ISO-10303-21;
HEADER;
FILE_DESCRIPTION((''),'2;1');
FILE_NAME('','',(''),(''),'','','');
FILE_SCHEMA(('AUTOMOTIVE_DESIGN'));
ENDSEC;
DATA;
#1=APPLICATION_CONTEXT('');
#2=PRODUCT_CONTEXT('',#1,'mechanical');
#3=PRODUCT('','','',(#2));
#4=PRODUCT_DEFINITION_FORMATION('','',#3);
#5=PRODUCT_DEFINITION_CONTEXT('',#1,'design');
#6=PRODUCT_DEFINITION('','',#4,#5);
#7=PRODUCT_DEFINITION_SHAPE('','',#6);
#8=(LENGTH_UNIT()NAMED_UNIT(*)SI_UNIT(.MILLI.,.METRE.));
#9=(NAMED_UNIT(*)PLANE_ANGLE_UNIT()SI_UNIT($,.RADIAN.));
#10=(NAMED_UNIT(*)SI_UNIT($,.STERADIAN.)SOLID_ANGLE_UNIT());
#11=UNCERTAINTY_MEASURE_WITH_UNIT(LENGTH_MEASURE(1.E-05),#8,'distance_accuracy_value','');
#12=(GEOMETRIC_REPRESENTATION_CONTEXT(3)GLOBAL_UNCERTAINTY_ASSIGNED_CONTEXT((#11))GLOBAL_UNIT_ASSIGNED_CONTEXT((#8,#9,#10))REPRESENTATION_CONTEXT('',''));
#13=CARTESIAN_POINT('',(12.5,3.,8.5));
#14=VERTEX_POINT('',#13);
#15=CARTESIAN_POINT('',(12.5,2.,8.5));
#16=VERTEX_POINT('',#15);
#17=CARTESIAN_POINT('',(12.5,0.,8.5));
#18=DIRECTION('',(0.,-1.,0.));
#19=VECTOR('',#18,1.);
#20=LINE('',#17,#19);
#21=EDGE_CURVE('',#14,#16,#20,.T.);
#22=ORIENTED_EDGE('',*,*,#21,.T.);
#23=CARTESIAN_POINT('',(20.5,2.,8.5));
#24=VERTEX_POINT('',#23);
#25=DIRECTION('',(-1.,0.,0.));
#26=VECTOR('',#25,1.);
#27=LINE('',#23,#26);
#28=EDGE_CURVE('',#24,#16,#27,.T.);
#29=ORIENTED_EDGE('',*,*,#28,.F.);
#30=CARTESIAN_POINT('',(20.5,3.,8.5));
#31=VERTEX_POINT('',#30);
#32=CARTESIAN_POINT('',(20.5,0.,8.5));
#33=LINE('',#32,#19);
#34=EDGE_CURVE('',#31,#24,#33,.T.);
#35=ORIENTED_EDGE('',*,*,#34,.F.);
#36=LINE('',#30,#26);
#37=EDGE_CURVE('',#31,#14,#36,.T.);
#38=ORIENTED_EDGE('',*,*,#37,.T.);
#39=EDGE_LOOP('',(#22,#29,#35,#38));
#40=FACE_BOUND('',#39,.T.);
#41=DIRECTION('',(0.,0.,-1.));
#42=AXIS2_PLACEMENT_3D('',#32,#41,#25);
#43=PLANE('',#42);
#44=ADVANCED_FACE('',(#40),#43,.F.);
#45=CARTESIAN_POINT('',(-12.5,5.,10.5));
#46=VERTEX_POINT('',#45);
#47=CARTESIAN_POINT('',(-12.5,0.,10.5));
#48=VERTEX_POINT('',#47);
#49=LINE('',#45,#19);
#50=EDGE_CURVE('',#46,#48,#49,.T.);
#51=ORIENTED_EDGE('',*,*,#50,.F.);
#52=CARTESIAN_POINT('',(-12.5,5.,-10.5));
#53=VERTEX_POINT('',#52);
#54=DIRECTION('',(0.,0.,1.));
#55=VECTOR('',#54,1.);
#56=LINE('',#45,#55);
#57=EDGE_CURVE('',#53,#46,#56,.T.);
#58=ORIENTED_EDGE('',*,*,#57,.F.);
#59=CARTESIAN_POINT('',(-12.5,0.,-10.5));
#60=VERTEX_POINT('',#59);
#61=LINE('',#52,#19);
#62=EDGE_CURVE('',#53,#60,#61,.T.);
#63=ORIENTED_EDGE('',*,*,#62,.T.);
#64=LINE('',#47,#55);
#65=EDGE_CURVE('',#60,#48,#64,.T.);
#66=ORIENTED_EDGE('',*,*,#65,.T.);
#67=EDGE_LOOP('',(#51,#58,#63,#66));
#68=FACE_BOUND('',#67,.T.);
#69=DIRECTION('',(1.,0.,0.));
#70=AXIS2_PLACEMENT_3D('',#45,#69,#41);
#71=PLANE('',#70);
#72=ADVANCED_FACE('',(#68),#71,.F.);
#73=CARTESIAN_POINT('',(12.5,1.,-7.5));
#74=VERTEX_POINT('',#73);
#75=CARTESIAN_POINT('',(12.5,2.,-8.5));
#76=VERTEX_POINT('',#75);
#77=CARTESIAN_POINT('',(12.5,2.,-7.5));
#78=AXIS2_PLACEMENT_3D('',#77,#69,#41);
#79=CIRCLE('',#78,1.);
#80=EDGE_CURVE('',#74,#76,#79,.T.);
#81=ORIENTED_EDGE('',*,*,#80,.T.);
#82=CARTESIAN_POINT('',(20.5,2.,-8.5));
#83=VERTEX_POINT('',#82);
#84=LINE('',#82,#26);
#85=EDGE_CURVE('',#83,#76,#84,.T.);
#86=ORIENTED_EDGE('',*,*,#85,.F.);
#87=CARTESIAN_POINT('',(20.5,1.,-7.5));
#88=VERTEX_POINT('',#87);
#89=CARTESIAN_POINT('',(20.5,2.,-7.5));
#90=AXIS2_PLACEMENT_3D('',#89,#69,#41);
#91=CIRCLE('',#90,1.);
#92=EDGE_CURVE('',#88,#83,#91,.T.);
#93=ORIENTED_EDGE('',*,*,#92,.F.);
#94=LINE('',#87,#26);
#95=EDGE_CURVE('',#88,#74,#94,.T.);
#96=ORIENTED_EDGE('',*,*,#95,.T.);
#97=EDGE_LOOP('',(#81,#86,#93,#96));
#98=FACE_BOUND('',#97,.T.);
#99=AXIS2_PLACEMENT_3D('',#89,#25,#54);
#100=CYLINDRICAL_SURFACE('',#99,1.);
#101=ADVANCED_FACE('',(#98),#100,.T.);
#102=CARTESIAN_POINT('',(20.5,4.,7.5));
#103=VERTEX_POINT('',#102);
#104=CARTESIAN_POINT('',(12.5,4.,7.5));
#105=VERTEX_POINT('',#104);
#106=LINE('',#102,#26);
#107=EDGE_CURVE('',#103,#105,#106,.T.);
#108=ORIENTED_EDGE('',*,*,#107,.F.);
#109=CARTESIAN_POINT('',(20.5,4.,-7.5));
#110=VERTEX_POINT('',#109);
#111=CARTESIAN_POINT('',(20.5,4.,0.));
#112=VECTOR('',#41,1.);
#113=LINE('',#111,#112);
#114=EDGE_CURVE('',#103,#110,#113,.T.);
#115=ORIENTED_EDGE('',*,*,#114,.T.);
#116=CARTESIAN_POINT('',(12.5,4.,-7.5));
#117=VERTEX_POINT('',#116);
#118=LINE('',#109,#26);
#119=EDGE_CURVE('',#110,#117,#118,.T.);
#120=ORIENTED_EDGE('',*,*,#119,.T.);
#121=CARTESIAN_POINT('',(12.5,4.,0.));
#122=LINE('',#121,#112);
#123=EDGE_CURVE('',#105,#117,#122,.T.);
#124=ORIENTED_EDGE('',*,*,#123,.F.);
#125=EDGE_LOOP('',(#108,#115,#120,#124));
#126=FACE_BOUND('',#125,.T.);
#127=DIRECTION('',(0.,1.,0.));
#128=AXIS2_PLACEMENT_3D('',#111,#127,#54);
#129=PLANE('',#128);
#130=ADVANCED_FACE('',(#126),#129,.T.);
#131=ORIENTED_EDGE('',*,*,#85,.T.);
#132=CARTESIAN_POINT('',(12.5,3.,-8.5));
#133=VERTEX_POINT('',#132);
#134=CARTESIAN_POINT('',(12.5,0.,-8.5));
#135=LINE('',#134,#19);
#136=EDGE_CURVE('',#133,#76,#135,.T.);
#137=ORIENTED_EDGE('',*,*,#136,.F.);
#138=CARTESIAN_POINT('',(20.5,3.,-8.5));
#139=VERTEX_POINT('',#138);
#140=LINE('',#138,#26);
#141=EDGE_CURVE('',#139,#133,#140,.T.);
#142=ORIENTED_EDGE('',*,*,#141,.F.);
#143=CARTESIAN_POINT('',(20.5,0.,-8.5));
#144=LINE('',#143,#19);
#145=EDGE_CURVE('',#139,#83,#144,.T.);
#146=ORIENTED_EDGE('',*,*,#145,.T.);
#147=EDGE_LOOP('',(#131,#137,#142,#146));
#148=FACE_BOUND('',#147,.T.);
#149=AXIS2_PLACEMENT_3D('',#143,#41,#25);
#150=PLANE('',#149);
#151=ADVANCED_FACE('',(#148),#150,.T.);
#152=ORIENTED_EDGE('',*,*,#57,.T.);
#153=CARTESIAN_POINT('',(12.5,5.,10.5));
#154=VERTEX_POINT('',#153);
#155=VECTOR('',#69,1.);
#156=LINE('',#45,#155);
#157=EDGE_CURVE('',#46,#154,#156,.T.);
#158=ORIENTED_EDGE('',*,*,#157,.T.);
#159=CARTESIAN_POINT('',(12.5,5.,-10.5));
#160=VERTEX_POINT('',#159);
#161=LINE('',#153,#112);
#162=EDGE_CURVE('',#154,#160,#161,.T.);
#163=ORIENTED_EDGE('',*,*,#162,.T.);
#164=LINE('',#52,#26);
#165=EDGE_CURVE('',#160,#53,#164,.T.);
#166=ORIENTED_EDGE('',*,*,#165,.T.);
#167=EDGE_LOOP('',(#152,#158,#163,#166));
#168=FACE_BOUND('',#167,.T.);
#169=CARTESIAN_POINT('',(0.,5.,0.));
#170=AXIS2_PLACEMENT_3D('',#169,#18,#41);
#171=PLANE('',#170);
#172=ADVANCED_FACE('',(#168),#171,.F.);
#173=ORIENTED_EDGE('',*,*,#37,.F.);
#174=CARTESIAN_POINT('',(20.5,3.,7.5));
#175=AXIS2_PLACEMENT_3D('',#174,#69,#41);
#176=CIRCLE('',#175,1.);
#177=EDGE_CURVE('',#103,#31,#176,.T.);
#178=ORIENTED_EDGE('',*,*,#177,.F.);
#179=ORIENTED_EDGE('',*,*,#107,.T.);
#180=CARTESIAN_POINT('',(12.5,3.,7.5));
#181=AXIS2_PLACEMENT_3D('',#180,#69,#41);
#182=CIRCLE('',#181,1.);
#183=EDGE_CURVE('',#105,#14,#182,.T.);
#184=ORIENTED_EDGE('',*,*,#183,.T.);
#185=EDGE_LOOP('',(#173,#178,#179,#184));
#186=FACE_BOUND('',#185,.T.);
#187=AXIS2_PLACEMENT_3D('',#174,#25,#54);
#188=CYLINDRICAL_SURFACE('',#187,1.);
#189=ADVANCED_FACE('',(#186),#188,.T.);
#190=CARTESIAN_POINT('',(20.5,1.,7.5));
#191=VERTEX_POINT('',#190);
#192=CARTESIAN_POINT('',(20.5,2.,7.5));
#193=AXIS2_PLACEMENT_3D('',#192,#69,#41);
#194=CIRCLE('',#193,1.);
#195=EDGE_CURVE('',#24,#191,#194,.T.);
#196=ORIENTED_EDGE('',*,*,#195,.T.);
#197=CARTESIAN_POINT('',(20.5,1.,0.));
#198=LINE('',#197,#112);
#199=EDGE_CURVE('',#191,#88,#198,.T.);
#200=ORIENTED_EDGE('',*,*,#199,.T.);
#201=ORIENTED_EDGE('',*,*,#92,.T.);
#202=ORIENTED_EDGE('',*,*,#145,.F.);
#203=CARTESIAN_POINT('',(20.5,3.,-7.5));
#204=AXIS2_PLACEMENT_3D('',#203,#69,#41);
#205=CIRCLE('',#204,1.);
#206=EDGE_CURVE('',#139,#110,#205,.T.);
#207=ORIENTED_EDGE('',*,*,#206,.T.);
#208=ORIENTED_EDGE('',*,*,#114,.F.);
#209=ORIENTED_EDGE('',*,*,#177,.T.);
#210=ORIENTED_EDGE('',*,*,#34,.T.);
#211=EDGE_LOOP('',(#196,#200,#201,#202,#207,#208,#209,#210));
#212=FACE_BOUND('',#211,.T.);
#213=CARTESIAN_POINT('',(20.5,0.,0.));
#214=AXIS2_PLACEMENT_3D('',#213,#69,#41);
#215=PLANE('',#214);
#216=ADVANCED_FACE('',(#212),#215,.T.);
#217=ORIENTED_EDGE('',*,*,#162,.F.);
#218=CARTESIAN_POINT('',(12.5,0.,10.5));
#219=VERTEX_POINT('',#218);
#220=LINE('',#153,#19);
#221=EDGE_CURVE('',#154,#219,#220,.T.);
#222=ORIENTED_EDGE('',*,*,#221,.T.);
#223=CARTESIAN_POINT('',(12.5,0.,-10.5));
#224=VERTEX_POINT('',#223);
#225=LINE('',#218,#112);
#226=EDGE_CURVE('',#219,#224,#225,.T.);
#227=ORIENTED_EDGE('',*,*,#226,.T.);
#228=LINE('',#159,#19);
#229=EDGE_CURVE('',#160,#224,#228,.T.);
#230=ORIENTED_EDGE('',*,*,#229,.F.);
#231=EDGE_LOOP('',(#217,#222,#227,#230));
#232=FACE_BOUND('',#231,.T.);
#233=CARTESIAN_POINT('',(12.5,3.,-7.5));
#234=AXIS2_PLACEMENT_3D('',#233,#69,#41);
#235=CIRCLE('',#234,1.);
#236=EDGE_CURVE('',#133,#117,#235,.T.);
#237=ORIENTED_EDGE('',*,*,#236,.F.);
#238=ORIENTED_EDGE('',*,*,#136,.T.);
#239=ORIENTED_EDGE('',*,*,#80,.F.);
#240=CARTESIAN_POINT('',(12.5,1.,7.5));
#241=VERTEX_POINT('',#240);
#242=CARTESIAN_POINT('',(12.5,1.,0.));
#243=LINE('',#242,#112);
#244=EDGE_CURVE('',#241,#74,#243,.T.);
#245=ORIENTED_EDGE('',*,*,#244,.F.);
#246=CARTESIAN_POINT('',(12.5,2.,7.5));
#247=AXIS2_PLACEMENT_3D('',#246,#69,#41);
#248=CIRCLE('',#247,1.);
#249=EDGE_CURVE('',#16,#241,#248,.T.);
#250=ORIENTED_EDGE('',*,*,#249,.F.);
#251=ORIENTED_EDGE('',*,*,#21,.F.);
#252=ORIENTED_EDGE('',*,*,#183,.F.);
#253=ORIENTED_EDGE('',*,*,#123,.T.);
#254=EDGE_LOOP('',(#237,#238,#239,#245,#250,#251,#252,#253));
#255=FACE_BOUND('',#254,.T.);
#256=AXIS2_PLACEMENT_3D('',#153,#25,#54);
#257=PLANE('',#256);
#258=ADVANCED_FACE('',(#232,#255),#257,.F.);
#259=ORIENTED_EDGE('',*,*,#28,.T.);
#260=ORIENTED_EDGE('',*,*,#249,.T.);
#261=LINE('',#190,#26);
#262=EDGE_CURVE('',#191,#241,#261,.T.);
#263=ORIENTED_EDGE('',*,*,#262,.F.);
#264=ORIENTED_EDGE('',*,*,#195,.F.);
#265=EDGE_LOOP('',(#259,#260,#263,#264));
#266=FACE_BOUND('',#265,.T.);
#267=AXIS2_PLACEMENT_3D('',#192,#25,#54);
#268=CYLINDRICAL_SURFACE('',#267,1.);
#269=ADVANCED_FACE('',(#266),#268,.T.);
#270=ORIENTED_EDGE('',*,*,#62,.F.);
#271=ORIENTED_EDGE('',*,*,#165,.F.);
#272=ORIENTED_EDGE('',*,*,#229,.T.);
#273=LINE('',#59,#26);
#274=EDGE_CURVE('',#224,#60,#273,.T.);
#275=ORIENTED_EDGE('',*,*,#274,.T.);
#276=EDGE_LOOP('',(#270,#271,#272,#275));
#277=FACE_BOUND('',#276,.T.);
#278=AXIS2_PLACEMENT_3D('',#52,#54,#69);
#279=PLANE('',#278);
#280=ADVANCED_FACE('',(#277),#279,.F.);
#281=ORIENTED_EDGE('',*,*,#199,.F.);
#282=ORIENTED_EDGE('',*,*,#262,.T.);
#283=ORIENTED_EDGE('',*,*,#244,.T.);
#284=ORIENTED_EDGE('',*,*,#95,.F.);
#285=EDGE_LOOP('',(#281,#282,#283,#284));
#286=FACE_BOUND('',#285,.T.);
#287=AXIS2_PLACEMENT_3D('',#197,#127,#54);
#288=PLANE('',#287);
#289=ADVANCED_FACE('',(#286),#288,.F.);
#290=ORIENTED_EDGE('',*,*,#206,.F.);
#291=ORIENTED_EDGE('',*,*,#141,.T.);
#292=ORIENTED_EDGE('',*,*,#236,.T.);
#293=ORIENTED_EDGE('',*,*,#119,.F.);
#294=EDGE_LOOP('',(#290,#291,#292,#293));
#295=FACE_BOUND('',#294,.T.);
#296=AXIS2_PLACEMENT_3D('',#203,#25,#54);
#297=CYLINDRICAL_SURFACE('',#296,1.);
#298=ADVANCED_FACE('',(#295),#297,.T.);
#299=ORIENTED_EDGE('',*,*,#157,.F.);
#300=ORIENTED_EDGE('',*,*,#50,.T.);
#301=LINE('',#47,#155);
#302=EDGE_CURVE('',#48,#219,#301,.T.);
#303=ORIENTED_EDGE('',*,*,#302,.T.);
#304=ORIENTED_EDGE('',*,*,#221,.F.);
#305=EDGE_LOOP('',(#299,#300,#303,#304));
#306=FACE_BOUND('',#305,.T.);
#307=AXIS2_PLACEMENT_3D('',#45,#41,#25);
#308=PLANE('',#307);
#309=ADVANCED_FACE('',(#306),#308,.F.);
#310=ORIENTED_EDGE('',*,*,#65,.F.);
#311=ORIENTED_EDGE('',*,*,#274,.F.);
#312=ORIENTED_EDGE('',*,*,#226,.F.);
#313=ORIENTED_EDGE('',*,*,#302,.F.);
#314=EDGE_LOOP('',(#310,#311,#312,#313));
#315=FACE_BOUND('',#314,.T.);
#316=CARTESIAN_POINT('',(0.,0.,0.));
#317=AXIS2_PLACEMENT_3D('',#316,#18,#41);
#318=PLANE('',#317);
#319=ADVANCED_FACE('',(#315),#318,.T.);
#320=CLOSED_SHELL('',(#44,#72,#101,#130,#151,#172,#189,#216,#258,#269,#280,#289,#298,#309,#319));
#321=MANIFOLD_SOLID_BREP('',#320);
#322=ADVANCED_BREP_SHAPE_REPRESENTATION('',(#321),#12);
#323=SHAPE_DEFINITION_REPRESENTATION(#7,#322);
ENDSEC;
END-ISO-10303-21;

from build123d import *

# Parameters (mm, degrees)
SKETCH1_W           = 25
SKETCH1_H           = 21
BOSS_EXTRUDE1_DEPTH = 5
BOSS_EXTRUDE2_DEPTH = 8


with BuildPart() as part:
    # Sketch1 → Boss-Extrude1 (new body)
    with BuildSketch(Plane(origin=(0, 0, 0), x_dir=(1, 0, 0), z_dir=(0, 1, 0))):
        Rectangle(SKETCH1_W, SKETCH1_H)
    extrude(amount=BOSS_EXTRUDE1_DEPTH)

    # Sketch2 → Boss-Extrude2 (add)
    with BuildSketch(Plane(origin=(12.5, 0, 0), x_dir=(0, 0, -1), z_dir=(1, 0, 0))):
        with BuildLine():
            Line((-7.5, 1), (-6.3, 1))
            Line((-6.3, 1), (6.3, 4))
            Line((6.3, 4), (-7.5, 4))
            ThreePointArc((-7.5, 4), (-8.207106781, 3.707106781), (-8.5, 3))
            Line((-8.5, 3), (-8.5, 2))
            ThreePointArc((-8.5, 2), (-8.207106781, 1.292893219), (-7.5, 1))
        make_face()
        with BuildLine():
            Line((6.3, 4), (-6.3, 1))
            Line((-6.3, 1), (7.5, 1))
            ThreePointArc((7.5, 1), (8.207106781, 1.292893219), (8.5, 2))
            Line((8.5, 2), (8.5, 3))
            ThreePointArc((8.5, 3), (8.207106781, 3.707106781), (7.5, 4))
            Line((7.5, 4), (6.3, 4))
        make_face()
    extrude(amount=BOSS_EXTRUDE2_DEPTH)


solid = part.part
